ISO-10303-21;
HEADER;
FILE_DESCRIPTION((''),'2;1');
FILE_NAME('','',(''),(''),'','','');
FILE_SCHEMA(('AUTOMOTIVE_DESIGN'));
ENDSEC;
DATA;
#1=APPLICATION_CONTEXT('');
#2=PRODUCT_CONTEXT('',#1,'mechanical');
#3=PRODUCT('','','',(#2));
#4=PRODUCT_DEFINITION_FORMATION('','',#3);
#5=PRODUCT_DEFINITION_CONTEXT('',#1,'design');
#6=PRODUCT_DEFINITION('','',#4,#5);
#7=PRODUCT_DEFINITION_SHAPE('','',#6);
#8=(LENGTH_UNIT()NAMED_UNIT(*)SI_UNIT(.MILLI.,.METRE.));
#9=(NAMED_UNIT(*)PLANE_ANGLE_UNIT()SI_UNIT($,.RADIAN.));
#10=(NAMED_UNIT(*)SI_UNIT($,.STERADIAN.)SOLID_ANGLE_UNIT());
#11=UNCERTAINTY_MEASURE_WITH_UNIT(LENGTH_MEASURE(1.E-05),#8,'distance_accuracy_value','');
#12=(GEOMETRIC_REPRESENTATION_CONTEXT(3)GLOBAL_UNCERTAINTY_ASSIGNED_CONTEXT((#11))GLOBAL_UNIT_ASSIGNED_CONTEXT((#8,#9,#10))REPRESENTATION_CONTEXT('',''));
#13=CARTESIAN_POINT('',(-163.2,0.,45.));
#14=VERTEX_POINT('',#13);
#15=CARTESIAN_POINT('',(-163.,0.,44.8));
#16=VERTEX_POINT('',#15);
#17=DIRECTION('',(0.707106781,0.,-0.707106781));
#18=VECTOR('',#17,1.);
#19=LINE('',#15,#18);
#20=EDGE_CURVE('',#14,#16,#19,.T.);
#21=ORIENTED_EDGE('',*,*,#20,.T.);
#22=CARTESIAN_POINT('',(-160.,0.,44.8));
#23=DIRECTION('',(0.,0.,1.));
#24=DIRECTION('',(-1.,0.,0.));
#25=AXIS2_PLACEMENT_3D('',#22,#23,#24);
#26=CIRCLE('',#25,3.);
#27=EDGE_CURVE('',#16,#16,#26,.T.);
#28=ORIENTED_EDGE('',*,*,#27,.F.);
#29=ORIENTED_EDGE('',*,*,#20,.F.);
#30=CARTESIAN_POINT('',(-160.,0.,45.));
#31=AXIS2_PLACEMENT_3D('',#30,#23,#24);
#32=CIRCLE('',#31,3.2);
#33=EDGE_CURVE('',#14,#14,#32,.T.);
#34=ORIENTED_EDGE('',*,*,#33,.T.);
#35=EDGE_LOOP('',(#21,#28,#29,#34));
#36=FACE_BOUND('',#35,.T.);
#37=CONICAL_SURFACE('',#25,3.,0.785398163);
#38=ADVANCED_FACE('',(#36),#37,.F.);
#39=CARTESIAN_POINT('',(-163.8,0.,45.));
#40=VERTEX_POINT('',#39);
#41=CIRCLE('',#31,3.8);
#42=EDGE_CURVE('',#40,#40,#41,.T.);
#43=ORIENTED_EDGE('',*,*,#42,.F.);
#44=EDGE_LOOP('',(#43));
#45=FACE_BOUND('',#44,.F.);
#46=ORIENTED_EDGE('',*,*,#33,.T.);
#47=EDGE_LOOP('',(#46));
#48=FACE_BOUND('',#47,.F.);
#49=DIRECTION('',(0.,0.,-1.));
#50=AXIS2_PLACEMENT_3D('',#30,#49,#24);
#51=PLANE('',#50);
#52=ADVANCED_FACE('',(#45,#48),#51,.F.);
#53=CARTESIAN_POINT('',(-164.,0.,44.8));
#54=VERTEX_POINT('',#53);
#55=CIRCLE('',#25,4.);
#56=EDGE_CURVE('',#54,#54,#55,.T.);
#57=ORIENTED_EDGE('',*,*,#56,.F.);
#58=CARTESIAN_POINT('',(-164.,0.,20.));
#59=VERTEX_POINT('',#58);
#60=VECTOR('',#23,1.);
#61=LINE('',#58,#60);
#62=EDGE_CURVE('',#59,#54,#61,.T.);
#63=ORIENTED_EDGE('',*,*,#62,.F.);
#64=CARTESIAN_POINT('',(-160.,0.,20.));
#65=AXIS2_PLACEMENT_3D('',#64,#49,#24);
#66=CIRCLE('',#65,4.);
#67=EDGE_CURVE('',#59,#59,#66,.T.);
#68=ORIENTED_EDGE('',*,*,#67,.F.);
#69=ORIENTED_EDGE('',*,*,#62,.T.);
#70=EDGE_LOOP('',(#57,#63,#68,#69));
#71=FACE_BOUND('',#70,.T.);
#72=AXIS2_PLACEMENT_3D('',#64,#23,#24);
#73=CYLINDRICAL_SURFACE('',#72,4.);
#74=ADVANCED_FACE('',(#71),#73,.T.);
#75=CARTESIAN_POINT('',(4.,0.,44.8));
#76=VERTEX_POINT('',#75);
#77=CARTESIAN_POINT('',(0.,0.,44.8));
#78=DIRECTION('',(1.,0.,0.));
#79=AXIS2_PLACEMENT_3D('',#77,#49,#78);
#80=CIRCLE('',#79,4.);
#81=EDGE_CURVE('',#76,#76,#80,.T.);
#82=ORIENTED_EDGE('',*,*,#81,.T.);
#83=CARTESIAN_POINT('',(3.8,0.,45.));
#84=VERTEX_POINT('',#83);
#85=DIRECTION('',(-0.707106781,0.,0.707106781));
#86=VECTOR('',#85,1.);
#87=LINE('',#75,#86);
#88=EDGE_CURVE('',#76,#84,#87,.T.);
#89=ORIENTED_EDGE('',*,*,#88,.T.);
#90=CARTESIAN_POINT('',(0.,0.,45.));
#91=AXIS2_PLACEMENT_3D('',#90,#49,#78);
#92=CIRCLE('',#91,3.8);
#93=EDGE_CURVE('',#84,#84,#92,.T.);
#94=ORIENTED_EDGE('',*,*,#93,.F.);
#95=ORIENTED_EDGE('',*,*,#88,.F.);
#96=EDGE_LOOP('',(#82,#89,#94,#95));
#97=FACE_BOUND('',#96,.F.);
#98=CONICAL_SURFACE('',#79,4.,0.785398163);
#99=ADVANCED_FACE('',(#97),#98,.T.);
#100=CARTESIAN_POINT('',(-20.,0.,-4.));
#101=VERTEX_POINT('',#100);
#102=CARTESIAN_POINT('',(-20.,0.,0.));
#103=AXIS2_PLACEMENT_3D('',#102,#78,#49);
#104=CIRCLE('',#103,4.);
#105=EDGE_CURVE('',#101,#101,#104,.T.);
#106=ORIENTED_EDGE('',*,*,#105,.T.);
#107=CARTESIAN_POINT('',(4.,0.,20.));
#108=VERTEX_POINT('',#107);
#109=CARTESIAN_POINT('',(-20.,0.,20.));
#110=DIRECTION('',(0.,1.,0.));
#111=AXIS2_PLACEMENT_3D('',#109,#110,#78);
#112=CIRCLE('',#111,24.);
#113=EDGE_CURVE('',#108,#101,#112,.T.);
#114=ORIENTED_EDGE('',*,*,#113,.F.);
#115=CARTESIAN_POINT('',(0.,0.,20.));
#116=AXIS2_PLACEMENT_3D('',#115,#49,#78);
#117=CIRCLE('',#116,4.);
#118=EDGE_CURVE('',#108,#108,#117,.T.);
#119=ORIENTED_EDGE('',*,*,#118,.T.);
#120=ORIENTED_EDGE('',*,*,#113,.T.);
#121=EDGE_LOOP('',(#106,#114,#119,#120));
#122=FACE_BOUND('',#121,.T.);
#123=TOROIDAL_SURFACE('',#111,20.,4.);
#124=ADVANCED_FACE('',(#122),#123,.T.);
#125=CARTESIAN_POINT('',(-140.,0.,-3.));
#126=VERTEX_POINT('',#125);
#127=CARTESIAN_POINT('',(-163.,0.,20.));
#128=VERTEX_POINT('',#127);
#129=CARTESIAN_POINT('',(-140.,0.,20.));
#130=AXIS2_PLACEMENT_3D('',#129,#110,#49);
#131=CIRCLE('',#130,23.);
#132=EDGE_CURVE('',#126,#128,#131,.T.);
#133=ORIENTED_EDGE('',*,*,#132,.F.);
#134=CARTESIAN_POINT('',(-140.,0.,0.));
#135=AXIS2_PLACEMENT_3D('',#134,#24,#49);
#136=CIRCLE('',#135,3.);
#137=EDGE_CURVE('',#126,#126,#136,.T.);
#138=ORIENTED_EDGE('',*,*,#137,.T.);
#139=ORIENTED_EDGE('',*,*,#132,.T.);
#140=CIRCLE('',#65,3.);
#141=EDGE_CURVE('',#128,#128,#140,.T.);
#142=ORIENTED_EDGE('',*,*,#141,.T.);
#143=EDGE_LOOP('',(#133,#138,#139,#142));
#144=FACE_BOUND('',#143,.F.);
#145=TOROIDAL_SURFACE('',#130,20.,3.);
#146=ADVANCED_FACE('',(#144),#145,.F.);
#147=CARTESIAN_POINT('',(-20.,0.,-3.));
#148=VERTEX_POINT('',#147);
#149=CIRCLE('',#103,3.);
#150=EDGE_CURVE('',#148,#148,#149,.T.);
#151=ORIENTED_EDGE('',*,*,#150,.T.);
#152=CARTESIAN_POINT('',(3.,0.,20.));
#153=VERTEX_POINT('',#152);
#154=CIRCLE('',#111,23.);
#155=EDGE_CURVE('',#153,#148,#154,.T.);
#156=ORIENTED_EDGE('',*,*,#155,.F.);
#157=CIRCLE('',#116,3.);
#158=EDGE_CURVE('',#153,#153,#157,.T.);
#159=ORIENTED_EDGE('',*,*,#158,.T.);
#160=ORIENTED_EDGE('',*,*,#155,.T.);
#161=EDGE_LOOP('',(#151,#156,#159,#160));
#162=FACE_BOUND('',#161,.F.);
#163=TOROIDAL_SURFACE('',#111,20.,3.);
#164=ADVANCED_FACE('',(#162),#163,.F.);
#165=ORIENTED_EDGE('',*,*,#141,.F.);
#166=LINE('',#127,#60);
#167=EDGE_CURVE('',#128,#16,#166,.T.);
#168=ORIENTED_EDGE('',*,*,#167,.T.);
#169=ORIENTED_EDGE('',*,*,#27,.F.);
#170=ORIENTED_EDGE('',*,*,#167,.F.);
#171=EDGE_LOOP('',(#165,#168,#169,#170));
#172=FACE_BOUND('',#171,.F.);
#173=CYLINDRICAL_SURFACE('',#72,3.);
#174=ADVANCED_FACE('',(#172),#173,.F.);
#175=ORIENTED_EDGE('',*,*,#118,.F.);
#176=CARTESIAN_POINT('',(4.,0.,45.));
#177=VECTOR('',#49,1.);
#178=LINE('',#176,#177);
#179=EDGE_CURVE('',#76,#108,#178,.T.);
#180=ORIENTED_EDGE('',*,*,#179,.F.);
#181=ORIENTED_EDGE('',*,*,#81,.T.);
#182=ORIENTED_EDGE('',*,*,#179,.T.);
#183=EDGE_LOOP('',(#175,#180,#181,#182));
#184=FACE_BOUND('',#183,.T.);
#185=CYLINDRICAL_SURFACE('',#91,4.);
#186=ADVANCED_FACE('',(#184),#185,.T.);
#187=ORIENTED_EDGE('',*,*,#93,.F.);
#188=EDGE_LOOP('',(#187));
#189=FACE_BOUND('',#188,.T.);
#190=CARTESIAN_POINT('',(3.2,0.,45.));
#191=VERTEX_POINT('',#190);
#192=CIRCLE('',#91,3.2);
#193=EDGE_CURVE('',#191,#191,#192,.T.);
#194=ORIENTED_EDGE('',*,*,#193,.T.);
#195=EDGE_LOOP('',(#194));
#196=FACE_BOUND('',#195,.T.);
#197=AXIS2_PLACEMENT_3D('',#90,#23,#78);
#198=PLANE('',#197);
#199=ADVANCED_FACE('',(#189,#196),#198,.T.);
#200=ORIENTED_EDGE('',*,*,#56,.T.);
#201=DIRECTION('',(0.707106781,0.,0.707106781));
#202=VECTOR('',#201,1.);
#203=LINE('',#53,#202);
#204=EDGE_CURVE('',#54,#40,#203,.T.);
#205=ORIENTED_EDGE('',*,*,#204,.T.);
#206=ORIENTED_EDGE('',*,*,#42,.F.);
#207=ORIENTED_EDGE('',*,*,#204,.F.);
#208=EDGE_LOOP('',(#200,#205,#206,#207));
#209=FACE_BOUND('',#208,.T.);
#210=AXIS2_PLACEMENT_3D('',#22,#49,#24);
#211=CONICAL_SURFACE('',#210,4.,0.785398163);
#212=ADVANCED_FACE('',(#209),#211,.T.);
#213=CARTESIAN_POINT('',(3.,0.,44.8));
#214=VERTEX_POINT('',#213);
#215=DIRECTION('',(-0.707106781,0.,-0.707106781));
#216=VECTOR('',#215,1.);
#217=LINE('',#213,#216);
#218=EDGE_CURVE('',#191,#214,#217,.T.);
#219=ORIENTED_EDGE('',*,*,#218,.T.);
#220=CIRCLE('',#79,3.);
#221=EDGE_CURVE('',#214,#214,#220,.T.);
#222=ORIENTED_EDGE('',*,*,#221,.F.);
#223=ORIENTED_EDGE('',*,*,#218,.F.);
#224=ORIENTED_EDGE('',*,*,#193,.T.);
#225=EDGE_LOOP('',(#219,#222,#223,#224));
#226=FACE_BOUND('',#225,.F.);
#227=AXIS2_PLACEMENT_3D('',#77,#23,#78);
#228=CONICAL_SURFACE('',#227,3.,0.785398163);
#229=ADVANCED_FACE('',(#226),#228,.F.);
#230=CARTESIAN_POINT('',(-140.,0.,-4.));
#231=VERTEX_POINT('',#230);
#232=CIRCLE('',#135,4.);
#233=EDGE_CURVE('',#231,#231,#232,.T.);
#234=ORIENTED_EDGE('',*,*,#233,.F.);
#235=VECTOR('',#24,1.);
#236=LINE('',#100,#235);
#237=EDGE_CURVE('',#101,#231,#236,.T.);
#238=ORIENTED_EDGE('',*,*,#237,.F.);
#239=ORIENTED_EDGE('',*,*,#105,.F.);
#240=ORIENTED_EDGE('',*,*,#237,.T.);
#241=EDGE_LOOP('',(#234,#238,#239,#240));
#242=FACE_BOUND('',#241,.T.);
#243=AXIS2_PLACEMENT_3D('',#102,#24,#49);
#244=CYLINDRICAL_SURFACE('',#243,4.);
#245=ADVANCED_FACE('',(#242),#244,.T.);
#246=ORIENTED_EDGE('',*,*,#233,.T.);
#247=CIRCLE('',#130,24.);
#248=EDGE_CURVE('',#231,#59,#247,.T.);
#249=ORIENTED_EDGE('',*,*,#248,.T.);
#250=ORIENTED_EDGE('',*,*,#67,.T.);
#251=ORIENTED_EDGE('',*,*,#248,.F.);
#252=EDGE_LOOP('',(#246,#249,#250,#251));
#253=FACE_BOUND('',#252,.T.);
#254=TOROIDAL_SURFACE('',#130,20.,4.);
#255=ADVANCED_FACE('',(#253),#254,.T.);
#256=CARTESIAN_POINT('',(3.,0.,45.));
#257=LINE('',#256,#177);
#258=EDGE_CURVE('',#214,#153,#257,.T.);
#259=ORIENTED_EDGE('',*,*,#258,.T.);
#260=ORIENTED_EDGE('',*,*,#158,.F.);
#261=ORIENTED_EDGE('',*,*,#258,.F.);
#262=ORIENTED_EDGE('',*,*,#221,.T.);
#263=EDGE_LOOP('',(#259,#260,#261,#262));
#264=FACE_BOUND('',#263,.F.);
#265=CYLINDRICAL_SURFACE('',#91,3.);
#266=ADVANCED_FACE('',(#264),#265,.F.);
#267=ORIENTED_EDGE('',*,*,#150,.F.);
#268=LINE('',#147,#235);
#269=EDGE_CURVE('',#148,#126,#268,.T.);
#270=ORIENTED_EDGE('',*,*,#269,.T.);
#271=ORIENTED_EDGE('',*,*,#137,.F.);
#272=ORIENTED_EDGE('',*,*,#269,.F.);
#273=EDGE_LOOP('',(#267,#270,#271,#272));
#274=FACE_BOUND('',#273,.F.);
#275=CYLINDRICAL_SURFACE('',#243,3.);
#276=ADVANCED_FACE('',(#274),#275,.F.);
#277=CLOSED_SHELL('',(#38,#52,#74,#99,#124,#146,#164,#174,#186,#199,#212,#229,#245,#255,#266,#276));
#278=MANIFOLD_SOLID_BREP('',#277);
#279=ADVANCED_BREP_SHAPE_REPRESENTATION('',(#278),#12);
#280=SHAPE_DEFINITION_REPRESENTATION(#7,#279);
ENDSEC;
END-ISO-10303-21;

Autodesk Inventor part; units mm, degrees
ref_plane "YZ Plane" through (0, 0, 0) normal (1, 0, 0) x (0, 1, 0)
ref_plane "XZ Plane" through (0, 0, 0) normal (0, 1, 0) x (-1, 0, 0)
sketch "Sketch1" plane through (0, 0, 0) normal (0, 1, 0) x (-1, 0, 0)
  line L0 (20, 0) -> (140, 0)
  line L1 (160, 20) -> (160, 45)
  line L2 (0, 45) -> (0, 20)
  arc A0 (0, 20) -> (20, 0) centre (20, 20) ccw
  arc A1 (140, 0) -> (160, 20) centre (140, 20) ccw
  point P0 (0, 0)
  point P1 (160, 0)
  dimension "d0" = 160
  dimension "d1" = 45
  dimension "d2" = 20
ref_plane "Work Plane2" through (0, 0, 45) normal (0, 0, 1) x (1, 0, 0)
sketch "Sketch2" plane through (0, 0, 45) normal (0, 0, 1) x (1, 0, 0)
  circle A0 centre (0, 0) radius 4
  circle A1 centre (0, 0) radius 3
  dimension "d4" = 8
  dimension "d5" = 6
sweep "Sweep1" add profiles "Sketch2" path "Sketch1"
chamfer "Chamfer1" distance 0.2 angle 45 12 edges at (-4, 0, 45) (-4, 0, 20) (-3, 0, 45) (-20, 0, 4) (-3, 0, 20) (-140, 0, 4) (-20, 0, 3) (-156, 0, 20) (-140, 0, 3) (-156, 0, 45) (-157, 0, 20) (-157, 0, 45)
thread "Thread2"
thread "Thread3"
properties part number "17032101"
